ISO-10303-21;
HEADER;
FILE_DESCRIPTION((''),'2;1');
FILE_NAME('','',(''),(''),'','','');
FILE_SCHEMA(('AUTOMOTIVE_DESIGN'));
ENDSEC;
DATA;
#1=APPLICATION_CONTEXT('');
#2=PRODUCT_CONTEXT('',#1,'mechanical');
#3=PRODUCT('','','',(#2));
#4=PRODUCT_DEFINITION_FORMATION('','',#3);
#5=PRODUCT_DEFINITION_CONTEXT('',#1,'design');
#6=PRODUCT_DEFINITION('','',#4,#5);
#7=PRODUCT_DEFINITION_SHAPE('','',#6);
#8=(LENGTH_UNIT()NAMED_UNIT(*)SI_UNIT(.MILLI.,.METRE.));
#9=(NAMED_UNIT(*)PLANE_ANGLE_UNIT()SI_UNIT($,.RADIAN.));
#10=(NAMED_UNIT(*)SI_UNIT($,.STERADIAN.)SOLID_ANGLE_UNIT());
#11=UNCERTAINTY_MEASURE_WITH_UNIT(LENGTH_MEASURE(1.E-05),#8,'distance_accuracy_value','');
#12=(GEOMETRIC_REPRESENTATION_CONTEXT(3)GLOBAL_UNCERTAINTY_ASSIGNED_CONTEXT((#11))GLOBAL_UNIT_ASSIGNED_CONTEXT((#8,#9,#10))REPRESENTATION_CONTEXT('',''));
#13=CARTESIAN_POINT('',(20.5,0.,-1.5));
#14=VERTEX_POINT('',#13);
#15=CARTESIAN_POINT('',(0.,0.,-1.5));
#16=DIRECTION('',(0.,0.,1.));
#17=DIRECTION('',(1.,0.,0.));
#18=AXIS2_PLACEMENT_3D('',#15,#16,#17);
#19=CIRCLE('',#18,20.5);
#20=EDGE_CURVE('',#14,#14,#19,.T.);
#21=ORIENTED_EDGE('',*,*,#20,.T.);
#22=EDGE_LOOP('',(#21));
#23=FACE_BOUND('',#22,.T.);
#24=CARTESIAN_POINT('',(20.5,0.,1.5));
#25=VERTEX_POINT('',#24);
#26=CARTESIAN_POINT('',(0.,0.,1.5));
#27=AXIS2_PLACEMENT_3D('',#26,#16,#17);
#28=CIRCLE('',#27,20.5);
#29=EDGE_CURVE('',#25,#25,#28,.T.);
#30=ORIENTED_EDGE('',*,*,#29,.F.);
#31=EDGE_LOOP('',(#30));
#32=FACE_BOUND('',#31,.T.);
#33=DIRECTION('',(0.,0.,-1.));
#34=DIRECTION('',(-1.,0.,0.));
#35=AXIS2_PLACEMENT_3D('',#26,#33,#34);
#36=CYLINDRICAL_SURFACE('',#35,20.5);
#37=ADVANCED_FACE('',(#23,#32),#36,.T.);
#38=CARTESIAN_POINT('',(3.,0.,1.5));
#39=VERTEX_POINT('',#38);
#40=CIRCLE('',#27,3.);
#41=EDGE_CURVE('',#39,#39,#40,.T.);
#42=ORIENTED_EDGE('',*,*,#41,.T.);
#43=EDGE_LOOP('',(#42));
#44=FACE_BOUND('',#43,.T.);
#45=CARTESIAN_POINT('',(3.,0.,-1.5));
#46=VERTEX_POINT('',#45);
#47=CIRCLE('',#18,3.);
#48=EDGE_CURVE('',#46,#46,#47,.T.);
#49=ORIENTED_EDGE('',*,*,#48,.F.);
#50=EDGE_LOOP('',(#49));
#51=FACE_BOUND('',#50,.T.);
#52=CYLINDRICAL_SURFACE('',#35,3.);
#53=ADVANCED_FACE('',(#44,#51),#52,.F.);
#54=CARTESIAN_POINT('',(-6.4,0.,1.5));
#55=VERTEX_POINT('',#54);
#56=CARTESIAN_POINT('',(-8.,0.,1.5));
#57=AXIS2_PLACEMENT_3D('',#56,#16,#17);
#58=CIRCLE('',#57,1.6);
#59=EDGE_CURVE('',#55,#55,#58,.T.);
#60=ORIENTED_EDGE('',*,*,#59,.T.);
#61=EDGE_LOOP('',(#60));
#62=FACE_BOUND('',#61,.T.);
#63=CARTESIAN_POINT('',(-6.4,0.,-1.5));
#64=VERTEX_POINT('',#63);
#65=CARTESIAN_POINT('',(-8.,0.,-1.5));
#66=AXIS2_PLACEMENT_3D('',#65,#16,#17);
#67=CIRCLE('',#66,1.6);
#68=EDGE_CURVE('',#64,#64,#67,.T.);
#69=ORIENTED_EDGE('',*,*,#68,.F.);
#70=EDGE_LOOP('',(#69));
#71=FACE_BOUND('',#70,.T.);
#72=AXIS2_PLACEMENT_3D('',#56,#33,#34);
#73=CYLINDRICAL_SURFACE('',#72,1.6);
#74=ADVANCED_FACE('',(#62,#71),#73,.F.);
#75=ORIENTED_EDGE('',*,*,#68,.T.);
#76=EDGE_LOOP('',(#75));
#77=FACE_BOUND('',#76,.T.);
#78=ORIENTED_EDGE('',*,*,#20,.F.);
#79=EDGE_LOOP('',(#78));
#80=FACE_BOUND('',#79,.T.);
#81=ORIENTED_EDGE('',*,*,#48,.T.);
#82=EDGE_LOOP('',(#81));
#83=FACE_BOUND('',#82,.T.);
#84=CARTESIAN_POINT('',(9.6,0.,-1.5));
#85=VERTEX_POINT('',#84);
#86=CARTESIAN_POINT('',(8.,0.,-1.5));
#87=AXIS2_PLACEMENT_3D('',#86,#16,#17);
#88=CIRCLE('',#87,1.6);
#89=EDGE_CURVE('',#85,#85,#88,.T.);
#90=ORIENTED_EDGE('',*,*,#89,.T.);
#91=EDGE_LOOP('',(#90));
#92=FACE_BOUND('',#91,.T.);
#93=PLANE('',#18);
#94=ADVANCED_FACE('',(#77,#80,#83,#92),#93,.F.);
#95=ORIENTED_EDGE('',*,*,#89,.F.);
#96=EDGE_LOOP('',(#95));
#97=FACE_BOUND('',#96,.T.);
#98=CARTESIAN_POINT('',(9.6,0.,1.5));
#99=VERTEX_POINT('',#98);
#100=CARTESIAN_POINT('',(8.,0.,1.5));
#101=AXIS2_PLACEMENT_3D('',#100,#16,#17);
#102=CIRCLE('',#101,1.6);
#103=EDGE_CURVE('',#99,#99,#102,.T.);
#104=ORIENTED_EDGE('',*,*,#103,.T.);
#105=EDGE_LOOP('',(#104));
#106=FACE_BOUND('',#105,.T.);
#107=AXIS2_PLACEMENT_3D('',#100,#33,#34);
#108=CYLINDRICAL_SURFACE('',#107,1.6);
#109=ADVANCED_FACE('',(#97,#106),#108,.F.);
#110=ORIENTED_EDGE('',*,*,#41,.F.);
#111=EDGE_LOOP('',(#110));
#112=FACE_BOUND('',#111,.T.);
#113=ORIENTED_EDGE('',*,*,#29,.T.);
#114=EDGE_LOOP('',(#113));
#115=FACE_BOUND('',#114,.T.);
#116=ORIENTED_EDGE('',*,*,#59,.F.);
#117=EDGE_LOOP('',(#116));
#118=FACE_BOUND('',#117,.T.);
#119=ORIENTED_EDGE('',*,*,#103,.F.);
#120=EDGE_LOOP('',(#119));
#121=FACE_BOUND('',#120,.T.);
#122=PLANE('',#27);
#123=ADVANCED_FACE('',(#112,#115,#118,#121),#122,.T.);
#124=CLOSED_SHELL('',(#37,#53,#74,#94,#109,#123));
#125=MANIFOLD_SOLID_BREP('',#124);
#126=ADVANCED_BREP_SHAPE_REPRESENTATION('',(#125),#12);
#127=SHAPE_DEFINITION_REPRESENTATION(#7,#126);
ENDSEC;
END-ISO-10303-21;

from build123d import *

# Parameters (mm, degrees)
ESBO_O1_R                = 20.5
ESBO_O1_R_2              = 3
ESBO_O1_R_3              = 1.6
RESSALTO_EXTRUS_O1_DEPTH = 1.5


with BuildPart() as part:
    # Esboço1 → Ressalto-extrusão1 (new body, symmetric)
    with BuildSketch(Plane.XY):
        Circle(ESBO_O1_R)
        Circle(ESBO_O1_R_2, mode=Mode.SUBTRACT)
        with Locations((-8, 0)):
            Circle(ESBO_O1_R_3, mode=Mode.SUBTRACT)
        with Locations((8, 0)):
            Circle(ESBO_O1_R_3, mode=Mode.SUBTRACT)
    extrude(amount=RESSALTO_EXTRUS_O1_DEPTH, both=True)


solid = part.part
